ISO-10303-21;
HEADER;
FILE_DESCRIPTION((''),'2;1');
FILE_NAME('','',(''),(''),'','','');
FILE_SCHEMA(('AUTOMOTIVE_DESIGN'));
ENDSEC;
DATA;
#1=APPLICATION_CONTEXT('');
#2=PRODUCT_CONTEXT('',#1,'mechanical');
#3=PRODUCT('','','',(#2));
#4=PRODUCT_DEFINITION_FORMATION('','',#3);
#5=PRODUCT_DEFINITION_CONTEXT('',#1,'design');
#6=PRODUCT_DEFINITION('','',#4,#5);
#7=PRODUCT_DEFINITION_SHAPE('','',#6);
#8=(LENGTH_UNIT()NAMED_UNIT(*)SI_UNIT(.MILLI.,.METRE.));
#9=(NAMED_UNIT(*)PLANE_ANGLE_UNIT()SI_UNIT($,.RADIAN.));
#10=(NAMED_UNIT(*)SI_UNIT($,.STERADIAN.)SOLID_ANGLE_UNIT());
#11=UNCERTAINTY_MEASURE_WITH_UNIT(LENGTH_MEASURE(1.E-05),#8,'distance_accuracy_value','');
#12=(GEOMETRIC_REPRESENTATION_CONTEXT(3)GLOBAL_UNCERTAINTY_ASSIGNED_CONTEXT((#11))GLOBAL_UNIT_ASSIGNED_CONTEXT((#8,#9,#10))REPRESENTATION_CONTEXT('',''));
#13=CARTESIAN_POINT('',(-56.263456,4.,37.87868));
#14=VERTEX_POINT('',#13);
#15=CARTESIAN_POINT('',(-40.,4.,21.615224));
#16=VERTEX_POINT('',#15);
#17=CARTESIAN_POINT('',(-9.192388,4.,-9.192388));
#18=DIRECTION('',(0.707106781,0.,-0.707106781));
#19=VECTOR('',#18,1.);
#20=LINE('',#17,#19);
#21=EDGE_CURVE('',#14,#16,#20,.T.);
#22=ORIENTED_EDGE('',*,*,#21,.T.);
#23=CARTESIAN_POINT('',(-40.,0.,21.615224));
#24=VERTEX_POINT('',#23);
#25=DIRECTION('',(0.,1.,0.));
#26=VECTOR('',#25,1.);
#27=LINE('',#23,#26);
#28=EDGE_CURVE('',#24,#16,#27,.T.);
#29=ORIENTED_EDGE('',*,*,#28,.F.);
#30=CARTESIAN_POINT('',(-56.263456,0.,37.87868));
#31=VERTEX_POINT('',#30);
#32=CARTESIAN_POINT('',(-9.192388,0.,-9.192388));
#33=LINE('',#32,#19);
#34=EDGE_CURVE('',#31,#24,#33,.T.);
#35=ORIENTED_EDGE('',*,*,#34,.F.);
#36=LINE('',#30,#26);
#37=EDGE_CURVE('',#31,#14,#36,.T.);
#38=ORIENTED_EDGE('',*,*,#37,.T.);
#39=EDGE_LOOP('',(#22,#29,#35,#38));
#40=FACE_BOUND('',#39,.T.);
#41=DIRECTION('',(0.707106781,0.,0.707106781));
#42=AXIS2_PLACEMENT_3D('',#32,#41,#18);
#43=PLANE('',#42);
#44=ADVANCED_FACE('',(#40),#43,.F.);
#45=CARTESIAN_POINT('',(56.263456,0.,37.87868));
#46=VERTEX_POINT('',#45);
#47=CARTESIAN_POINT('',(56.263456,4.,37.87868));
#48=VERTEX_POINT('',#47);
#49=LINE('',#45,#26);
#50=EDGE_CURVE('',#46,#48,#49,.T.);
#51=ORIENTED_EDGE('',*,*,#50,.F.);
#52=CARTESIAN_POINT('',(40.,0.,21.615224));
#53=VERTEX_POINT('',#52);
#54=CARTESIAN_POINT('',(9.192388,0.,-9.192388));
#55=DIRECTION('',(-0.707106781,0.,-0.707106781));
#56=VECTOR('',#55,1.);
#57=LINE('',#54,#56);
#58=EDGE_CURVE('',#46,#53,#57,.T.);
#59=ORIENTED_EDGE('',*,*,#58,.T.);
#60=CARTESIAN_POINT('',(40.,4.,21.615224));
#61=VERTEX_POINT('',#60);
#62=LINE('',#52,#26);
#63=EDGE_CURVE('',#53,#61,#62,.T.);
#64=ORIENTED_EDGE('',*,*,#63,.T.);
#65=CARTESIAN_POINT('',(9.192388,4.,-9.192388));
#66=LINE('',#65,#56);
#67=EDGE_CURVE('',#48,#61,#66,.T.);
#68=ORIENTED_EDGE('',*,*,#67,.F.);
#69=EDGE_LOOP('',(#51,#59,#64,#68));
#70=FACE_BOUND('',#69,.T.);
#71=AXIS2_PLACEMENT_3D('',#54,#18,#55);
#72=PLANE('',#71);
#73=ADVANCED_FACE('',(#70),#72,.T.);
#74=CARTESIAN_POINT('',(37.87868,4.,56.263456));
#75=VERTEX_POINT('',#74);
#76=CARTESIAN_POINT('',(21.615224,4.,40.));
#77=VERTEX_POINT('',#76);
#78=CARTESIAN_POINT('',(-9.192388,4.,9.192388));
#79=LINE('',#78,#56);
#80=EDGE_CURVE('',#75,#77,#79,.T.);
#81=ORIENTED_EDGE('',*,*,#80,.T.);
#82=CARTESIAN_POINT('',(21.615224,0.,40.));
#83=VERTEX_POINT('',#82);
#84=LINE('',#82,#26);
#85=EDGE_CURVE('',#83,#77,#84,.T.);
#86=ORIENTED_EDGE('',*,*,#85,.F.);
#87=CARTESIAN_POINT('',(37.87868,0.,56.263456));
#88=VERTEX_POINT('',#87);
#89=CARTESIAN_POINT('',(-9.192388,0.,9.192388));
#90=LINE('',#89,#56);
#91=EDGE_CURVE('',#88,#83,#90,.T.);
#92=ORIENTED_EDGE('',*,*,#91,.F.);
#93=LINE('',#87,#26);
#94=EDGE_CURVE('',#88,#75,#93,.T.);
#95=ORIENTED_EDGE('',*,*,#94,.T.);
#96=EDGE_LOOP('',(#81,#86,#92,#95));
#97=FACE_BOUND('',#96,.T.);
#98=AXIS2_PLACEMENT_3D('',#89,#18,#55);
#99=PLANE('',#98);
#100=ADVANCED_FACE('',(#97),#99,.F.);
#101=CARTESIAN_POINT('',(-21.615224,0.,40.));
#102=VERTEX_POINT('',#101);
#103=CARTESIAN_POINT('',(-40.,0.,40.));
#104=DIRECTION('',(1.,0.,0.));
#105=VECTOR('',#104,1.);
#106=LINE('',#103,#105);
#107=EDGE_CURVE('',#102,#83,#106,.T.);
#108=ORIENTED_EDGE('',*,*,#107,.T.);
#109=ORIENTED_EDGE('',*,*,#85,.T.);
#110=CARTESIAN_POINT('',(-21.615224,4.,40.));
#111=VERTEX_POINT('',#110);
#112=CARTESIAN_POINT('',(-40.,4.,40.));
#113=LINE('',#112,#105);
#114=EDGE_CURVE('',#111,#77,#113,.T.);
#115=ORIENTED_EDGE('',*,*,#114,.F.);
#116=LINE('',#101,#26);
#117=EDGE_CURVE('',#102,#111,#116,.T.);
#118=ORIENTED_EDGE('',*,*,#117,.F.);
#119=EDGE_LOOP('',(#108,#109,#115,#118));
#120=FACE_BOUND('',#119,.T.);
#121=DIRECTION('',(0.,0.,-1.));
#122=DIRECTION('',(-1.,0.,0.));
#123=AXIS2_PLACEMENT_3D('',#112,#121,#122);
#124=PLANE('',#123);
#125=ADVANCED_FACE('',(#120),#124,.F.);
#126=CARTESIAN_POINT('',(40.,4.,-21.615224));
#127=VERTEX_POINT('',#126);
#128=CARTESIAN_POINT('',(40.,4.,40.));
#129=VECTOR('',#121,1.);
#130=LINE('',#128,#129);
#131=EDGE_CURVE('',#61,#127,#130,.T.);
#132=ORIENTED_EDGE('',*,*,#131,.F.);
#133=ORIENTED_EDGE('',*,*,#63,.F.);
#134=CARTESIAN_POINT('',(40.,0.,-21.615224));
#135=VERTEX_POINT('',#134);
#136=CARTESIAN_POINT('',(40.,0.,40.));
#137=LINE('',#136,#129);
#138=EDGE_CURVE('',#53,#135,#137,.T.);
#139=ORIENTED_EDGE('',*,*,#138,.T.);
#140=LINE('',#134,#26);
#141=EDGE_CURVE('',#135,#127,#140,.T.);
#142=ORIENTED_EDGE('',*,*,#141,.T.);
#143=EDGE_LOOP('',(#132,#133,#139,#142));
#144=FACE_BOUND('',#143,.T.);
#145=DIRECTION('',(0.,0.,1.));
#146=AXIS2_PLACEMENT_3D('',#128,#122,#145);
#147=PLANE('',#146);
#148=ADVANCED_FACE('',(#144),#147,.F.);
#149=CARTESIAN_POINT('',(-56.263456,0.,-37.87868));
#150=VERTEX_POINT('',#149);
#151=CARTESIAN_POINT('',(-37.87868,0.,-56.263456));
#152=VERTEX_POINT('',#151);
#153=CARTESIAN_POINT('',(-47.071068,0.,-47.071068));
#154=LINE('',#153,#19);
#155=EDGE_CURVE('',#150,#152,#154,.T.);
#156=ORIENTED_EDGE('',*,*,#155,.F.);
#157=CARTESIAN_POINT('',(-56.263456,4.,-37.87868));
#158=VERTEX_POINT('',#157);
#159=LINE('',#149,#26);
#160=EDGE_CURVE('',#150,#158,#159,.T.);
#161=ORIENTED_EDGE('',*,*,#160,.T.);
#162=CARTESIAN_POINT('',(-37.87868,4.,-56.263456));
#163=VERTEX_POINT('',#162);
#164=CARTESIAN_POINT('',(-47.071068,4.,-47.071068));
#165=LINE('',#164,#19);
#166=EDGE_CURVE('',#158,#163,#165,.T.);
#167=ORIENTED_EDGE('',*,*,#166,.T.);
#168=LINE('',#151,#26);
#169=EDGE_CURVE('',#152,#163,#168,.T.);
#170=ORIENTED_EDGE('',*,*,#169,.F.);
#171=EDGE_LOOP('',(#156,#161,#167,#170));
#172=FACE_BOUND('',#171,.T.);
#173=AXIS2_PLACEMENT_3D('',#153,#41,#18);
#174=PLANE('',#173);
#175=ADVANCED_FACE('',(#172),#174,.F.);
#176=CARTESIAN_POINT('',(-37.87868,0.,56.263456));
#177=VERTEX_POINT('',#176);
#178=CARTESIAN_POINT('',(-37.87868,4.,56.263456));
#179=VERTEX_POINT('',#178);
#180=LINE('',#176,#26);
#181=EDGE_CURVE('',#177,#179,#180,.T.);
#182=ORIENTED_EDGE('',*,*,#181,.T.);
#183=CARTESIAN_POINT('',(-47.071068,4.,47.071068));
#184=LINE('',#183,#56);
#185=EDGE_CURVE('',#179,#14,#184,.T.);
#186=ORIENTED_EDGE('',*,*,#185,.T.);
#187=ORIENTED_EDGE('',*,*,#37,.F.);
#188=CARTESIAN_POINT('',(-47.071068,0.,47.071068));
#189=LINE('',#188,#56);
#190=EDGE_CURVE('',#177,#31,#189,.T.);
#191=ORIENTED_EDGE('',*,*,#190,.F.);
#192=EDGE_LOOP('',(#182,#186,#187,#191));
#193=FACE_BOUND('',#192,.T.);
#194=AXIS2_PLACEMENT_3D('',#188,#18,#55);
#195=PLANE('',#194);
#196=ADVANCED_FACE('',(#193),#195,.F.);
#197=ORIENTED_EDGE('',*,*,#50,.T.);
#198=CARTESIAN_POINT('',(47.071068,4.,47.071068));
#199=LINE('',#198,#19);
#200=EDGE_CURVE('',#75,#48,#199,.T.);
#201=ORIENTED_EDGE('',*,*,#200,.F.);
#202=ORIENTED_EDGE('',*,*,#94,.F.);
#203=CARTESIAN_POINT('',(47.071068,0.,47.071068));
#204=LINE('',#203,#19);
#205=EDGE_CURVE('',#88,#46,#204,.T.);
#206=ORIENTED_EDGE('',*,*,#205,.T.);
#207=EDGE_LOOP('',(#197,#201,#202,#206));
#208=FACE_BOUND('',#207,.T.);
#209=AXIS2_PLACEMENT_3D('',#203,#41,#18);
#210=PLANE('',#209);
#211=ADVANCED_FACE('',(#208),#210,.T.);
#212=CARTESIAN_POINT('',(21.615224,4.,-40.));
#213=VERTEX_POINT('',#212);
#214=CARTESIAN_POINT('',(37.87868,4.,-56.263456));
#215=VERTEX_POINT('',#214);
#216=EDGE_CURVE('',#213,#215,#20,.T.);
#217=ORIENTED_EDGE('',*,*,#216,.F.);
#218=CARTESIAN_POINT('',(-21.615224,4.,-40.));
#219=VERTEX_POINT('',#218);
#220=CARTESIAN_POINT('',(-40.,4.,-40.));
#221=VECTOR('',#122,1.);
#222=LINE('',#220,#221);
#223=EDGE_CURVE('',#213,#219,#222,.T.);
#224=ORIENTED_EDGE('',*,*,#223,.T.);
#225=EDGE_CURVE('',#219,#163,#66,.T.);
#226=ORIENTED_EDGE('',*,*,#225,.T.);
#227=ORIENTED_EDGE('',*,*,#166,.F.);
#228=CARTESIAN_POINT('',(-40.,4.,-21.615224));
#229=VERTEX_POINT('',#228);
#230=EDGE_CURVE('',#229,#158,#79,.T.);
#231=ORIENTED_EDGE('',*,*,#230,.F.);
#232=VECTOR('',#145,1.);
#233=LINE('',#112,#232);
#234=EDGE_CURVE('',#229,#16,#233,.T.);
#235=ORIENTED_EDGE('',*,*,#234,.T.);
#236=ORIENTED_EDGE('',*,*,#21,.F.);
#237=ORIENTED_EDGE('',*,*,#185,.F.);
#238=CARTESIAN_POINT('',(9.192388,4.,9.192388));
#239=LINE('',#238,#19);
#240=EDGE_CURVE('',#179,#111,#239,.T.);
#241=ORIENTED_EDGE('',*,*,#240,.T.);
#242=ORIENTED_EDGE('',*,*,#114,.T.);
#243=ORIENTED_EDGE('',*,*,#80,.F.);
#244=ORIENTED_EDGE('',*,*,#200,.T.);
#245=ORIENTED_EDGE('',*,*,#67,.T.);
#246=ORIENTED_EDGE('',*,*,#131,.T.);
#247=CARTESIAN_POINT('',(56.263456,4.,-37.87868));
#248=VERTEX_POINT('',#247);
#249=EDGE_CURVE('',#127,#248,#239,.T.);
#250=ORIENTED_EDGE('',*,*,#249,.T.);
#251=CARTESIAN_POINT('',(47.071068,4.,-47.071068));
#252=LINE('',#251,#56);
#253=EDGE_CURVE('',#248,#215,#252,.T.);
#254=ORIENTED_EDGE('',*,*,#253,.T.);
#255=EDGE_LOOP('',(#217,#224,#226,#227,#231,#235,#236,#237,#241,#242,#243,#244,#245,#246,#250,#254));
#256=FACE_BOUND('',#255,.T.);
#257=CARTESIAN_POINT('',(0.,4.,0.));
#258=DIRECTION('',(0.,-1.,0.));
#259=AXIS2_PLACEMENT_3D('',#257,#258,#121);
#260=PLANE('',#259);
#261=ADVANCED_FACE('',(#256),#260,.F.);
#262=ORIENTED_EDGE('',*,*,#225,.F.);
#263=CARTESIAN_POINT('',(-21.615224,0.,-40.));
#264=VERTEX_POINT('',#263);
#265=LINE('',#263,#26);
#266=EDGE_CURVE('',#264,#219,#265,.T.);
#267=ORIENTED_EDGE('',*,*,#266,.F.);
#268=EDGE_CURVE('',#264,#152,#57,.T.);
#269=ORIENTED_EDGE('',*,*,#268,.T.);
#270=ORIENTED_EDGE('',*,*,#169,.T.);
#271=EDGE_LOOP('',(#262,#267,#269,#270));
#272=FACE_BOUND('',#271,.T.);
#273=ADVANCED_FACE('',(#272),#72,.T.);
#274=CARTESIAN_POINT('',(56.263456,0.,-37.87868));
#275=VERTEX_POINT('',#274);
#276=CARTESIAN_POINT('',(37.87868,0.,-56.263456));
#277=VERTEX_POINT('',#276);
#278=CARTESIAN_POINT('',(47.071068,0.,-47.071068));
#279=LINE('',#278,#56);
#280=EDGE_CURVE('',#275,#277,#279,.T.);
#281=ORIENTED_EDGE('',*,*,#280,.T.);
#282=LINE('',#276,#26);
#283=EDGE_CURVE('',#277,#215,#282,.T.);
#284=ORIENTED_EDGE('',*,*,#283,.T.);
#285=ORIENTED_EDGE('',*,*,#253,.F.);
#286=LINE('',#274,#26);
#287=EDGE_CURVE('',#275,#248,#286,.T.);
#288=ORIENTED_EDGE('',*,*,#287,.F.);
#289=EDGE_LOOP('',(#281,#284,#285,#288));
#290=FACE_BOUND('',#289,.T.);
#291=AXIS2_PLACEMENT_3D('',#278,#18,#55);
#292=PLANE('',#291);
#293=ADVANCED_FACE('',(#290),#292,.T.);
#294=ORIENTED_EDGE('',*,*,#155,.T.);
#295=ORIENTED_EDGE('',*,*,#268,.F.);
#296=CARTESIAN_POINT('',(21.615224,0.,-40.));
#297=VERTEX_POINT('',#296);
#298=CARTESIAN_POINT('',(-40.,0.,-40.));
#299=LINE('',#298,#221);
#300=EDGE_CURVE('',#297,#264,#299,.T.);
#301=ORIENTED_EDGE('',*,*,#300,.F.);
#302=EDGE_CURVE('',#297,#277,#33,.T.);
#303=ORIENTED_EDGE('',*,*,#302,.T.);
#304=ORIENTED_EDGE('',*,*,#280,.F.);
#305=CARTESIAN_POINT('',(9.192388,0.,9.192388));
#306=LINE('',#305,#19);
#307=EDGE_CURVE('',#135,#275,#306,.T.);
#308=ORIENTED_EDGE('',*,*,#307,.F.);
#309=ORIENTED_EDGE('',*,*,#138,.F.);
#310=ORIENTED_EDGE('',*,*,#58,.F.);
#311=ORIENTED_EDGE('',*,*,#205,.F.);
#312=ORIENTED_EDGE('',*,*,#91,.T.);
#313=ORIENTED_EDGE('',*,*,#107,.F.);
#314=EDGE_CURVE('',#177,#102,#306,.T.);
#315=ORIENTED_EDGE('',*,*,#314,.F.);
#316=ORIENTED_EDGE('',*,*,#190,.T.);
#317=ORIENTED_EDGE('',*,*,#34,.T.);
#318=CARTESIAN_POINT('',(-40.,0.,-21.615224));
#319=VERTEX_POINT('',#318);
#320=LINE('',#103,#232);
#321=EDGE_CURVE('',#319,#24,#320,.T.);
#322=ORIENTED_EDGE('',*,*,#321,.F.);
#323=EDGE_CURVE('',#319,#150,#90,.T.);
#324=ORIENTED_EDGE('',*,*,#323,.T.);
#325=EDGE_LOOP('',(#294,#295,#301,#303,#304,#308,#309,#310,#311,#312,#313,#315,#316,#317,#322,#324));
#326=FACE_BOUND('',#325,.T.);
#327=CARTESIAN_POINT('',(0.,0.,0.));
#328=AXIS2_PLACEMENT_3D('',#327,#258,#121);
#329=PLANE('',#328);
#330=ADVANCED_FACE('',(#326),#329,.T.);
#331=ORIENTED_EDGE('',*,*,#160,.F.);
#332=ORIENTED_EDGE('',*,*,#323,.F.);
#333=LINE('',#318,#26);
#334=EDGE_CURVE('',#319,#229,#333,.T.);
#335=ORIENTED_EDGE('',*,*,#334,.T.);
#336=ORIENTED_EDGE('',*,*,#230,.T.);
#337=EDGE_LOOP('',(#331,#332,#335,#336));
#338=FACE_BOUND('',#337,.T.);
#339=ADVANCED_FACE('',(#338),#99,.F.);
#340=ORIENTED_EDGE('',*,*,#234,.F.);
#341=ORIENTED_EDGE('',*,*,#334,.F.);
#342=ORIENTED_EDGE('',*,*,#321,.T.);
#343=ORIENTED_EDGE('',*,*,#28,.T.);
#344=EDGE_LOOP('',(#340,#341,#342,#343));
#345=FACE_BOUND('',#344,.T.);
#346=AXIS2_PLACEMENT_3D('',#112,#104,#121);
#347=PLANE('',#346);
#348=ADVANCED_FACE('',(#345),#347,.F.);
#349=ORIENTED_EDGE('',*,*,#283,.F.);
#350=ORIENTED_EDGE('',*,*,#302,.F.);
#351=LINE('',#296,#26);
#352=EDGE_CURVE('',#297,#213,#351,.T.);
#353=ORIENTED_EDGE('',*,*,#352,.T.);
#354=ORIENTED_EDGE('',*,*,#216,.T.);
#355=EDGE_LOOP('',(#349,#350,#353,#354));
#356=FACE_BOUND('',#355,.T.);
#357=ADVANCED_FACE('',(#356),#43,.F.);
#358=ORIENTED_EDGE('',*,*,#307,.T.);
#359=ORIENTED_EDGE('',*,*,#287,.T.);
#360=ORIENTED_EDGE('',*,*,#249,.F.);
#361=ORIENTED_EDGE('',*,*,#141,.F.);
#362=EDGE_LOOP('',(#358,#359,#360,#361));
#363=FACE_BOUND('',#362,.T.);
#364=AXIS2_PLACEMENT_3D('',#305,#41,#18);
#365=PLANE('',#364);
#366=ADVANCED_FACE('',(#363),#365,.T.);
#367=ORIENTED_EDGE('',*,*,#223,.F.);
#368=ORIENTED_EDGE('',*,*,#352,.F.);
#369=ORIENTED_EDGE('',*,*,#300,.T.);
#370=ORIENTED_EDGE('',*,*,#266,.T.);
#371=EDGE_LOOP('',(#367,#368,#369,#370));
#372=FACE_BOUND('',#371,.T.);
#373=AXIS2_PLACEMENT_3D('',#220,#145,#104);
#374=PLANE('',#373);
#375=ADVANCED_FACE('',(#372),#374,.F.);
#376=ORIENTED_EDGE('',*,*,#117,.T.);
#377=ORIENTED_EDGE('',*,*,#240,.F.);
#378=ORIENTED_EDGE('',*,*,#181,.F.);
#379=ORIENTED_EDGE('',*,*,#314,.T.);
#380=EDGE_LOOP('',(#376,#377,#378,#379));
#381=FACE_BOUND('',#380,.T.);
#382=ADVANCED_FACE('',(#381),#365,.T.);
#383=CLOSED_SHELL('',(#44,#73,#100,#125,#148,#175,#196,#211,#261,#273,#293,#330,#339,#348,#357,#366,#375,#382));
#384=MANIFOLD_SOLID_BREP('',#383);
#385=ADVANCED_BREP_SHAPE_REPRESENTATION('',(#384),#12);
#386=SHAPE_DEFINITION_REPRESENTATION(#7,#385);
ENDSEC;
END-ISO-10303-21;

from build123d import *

# Parameters (mm, degrees)
SKETCH1_W           = 80
SKETCH1_H           = 80
BOSS_EXTRUDE1_DEPTH = 4
BOSS_EXTRUDE2_DEPTH = 4


with BuildPart() as part:
    # Sketch1 → Boss-Extrude1 (new body)
    with BuildSketch(Plane(origin=(0, 0, 0), x_dir=(1, 0, 0), z_dir=(0, 1, 0))):
        Rectangle(SKETCH1_W, SKETCH1_H)
    extrude(amount=BOSS_EXTRUDE1_DEPTH)

    # Sketch2 → Boss-Extrude2 (add)
    with BuildSketch(Plane(origin=(0, 4, 0), x_dir=(1, 0, 0), z_dir=(0, 1, 0))):
        Polygon((-56.263455967, 37.878679656), (-40, 21.615223689), (-40, 40), (-21.615223689, 40), (-37.878679656, 56.263455967), align=None)
        Polygon((-37.878679656, -56.263455967), (-21.615223689, -40), (-40, -40), (-40, -21.615223689), (-56.263455967, -37.878679656), align=None)
        Polygon((40, 40), (40, 21.615223689), (56.263455967, 37.878679656), (37.878679656, 56.263455967), (21.615223689, 40), align=None)
        Polygon((21.615223689, -40), (37.878679656, -56.263455967), (56.263455967, -37.878679656), (40, -21.615223689), (40, -40), align=None)
    extrude(amount=-BOSS_EXTRUDE2_DEPTH)


solid = part.part
